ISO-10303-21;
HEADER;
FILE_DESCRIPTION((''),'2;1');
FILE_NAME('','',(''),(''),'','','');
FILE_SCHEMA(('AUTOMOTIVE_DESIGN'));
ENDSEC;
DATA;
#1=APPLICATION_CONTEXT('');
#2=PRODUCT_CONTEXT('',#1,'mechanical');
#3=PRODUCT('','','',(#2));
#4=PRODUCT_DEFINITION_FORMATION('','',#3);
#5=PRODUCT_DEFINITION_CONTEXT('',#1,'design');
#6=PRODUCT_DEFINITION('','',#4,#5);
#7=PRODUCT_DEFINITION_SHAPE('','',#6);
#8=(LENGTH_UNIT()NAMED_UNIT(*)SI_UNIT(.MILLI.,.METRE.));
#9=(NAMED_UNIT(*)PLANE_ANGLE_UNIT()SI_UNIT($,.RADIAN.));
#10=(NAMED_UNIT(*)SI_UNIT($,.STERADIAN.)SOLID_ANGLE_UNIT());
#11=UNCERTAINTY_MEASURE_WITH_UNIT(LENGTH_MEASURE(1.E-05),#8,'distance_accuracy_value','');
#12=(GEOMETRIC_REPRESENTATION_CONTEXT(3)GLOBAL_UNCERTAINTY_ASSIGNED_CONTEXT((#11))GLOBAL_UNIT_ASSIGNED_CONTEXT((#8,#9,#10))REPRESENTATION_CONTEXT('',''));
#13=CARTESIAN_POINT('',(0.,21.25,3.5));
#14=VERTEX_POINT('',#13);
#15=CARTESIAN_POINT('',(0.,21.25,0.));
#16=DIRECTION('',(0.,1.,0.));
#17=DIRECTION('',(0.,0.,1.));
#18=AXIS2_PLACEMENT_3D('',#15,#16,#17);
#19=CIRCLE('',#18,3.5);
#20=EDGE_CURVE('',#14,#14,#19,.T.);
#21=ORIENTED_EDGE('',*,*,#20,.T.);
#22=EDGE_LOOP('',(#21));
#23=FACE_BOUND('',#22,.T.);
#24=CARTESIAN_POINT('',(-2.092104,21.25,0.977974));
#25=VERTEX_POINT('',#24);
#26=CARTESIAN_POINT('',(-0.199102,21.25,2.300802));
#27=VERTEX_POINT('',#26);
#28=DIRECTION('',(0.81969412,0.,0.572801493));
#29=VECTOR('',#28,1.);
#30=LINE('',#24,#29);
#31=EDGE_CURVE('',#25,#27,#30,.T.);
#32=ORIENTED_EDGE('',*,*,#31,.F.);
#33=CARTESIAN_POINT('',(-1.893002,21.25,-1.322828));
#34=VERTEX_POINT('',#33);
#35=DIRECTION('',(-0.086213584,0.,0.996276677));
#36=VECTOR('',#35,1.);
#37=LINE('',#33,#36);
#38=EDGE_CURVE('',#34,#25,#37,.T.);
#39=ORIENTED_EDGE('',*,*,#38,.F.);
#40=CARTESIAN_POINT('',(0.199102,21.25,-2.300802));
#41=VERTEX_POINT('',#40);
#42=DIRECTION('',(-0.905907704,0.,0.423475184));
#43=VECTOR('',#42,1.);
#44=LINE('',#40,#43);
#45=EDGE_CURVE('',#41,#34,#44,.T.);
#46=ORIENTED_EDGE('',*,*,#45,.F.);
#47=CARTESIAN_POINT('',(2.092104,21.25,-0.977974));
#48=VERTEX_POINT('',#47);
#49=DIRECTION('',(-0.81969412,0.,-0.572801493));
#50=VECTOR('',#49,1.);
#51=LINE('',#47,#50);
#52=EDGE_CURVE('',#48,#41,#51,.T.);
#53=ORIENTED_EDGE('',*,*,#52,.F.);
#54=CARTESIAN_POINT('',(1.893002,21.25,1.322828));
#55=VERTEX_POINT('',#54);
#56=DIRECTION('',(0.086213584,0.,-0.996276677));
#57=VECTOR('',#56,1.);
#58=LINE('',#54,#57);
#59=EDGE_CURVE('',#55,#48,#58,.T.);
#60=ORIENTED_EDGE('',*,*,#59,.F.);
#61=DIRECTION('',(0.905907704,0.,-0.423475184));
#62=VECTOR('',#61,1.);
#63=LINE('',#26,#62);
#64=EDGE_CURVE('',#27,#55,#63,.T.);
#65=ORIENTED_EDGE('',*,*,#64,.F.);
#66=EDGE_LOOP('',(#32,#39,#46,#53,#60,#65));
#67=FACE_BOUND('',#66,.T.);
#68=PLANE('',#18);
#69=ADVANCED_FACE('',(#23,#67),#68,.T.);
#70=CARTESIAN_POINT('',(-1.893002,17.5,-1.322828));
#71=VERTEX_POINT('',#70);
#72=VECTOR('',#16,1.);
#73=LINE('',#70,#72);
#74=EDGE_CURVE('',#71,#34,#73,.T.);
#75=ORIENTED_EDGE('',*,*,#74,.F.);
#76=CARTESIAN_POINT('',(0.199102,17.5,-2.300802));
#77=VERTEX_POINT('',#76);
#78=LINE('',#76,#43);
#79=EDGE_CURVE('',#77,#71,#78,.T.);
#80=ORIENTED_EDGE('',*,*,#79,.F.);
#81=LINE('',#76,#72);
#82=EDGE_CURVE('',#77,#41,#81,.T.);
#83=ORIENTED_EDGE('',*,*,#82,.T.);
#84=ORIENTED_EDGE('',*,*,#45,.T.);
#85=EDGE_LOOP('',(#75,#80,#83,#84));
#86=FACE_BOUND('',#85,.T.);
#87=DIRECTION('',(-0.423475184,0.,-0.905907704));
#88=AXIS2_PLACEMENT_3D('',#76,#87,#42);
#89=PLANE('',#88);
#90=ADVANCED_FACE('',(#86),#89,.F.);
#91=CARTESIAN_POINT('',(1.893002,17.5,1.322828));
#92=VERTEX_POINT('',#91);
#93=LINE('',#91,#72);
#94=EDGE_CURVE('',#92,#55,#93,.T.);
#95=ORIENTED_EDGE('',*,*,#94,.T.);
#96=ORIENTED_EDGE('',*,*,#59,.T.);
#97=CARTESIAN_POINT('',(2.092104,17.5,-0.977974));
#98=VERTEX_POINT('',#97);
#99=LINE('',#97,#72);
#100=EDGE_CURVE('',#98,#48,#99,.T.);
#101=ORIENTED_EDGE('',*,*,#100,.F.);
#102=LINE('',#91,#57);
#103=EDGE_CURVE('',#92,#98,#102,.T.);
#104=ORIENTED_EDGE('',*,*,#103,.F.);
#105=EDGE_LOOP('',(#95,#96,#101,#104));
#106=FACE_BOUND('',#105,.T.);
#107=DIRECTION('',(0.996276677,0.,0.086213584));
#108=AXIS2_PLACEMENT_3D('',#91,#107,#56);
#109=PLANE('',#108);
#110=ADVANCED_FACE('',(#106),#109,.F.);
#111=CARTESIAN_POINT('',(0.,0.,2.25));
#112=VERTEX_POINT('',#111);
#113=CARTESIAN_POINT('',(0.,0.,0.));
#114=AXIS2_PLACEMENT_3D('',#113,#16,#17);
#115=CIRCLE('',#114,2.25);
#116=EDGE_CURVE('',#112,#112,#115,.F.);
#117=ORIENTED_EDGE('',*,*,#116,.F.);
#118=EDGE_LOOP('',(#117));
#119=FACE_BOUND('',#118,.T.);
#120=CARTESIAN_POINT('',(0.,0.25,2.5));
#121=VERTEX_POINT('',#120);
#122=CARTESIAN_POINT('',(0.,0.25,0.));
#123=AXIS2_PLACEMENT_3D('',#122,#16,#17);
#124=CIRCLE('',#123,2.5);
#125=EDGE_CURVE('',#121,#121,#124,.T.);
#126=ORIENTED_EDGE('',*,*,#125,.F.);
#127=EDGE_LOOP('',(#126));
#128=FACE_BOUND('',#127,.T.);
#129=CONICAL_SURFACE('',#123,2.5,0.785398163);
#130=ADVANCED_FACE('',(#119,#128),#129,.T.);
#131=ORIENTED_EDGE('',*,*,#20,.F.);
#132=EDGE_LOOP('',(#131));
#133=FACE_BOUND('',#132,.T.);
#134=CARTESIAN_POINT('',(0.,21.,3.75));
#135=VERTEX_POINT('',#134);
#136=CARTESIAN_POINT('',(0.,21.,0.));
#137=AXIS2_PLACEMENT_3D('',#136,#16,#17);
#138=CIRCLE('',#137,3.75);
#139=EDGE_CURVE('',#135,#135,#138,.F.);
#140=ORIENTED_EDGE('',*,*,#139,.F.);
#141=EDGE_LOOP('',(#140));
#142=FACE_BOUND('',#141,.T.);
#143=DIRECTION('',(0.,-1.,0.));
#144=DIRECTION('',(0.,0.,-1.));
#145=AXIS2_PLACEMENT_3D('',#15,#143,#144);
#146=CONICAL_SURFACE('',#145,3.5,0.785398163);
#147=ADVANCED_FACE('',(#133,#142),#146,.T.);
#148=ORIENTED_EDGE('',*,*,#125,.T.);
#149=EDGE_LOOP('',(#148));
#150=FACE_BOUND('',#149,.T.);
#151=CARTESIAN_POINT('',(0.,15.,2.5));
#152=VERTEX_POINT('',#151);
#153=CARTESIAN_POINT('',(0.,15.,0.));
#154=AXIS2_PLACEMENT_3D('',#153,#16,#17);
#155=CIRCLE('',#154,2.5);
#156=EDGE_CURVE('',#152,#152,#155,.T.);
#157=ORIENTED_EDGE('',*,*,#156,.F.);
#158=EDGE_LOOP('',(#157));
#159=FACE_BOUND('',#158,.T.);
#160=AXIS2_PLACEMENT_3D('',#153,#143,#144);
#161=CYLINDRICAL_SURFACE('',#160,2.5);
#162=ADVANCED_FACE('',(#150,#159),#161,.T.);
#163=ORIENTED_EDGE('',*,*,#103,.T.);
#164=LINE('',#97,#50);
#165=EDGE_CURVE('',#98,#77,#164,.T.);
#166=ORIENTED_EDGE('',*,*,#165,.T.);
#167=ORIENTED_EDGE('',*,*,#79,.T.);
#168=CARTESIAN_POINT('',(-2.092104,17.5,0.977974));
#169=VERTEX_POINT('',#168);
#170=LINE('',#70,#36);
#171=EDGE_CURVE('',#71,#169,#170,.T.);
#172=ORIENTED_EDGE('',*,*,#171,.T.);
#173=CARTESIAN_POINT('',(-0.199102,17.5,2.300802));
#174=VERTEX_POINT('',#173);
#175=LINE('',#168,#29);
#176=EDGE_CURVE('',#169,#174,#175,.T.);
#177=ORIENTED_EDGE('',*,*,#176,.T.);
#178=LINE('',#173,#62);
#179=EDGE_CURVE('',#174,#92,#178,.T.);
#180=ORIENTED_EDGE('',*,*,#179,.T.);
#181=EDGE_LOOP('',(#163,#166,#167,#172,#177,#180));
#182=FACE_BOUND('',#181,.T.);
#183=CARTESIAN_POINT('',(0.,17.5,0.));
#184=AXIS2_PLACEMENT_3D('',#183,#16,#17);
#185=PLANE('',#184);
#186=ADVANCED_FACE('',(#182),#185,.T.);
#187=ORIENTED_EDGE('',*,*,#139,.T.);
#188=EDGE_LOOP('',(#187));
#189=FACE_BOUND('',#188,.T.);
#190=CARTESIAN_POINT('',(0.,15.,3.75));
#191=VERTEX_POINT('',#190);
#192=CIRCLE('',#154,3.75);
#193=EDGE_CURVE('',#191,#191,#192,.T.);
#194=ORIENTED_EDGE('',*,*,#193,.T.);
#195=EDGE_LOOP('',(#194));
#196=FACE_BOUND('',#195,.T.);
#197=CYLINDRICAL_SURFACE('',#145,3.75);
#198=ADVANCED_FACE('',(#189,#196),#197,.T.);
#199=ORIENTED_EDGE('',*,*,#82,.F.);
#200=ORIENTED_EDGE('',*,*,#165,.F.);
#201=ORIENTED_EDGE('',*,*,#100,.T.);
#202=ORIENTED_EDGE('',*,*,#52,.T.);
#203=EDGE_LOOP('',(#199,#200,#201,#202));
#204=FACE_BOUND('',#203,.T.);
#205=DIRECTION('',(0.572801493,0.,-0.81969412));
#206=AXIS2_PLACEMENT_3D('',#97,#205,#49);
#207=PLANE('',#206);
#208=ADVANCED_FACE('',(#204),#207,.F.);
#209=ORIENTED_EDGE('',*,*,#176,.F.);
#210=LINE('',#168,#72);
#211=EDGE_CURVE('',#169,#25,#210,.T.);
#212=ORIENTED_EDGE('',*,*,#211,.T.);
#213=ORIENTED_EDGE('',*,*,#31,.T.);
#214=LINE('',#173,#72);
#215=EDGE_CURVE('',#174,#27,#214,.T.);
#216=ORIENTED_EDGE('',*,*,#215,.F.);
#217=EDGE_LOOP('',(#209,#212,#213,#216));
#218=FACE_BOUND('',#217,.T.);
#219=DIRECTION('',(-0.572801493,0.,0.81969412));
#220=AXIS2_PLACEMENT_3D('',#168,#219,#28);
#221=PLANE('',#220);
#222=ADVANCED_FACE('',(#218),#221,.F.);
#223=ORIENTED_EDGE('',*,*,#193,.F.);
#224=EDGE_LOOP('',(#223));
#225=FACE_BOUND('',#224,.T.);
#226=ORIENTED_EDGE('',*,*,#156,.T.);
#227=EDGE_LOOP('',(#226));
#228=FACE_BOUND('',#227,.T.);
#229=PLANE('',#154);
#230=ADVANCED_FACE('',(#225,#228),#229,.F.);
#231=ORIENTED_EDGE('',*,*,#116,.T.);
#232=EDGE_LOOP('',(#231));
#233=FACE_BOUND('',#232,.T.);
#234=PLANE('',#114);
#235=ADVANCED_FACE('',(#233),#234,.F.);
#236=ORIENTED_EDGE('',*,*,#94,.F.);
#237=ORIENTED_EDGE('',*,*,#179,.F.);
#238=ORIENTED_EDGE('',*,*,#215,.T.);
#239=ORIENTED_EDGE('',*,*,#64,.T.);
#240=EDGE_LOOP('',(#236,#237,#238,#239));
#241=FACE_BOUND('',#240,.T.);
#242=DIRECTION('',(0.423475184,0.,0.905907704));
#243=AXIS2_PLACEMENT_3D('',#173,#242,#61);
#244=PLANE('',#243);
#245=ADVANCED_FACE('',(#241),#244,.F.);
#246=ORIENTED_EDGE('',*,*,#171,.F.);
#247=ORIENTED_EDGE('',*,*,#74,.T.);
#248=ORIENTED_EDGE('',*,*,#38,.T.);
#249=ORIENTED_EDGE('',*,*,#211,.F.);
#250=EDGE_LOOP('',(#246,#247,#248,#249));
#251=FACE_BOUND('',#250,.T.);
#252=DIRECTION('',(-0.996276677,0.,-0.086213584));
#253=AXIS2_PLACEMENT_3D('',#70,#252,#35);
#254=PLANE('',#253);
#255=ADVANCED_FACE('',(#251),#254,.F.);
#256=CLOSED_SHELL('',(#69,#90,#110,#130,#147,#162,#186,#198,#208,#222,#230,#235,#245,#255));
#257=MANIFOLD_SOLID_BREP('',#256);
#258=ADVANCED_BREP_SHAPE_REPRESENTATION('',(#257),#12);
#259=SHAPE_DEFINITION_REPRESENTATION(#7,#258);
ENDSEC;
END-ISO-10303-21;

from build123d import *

# Parameters (mm, degrees)
SKICA1_R                 = 2.5
P_IDAT_VYSUNUT_M1_DEPTH  = 15
SKICA2_R                 = 3.75
P_IDAT_VYSUNUT_M2_DEPTH  = 6.25
ODEBRAT_VYSUNUT_M1_DEPTH = 3.75
ZKOSEN_1_SIZE            = 0.25


with BuildPart() as part:
    # Skica1 → Přidat vysunutím1 (new body)
    with BuildSketch(Plane(origin=(0, 0, 0), x_dir=(1, 0, 0), z_dir=(0, 1, 0))):
        with Locations(Location((0, 0, 0), (0, 0, 270))):
            Circle(SKICA1_R)
    extrude(amount=P_IDAT_VYSUNUT_M1_DEPTH)

    # Skica2 → Přidat vysunutím2 (add)
    with BuildSketch(Plane(origin=(0, 15, 0), x_dir=(1, 0, 0), z_dir=(0, 1, 0))):
        with Locations(Location((0, 0, 0), (0, 0, 270))):
            Circle(SKICA2_R)
    extrude(amount=P_IDAT_VYSUNUT_M2_DEPTH)

    # Skica3 → Odebrat vysunutím1 (cut)
    with BuildSketch(Plane(origin=(0, 21.25, 0), x_dir=(1, 0, 0), z_dir=(0, 1, 0))):
        Polygon((-0.199101745, -2.300802431), (1.893002482, -1.322828385), (2.092104227, 0.977974047), (0.199101745, 2.300802431), (-1.893002482, 1.322828385), (-2.092104227, -0.977974047), align=None)
    extrude(amount=-ODEBRAT_VYSUNUT_M1_DEPTH, mode=Mode.SUBTRACT)

    # Zkosení1
    zkosen_1_edges = [part.edges().sort_by_distance(p)[0] for p in [
        (0, 0, -2.5),
        (0, 21.25, -3.75),
    ]]
    chamfer(zkosen_1_edges, length=ZKOSEN_1_SIZE)


solid = part.part
